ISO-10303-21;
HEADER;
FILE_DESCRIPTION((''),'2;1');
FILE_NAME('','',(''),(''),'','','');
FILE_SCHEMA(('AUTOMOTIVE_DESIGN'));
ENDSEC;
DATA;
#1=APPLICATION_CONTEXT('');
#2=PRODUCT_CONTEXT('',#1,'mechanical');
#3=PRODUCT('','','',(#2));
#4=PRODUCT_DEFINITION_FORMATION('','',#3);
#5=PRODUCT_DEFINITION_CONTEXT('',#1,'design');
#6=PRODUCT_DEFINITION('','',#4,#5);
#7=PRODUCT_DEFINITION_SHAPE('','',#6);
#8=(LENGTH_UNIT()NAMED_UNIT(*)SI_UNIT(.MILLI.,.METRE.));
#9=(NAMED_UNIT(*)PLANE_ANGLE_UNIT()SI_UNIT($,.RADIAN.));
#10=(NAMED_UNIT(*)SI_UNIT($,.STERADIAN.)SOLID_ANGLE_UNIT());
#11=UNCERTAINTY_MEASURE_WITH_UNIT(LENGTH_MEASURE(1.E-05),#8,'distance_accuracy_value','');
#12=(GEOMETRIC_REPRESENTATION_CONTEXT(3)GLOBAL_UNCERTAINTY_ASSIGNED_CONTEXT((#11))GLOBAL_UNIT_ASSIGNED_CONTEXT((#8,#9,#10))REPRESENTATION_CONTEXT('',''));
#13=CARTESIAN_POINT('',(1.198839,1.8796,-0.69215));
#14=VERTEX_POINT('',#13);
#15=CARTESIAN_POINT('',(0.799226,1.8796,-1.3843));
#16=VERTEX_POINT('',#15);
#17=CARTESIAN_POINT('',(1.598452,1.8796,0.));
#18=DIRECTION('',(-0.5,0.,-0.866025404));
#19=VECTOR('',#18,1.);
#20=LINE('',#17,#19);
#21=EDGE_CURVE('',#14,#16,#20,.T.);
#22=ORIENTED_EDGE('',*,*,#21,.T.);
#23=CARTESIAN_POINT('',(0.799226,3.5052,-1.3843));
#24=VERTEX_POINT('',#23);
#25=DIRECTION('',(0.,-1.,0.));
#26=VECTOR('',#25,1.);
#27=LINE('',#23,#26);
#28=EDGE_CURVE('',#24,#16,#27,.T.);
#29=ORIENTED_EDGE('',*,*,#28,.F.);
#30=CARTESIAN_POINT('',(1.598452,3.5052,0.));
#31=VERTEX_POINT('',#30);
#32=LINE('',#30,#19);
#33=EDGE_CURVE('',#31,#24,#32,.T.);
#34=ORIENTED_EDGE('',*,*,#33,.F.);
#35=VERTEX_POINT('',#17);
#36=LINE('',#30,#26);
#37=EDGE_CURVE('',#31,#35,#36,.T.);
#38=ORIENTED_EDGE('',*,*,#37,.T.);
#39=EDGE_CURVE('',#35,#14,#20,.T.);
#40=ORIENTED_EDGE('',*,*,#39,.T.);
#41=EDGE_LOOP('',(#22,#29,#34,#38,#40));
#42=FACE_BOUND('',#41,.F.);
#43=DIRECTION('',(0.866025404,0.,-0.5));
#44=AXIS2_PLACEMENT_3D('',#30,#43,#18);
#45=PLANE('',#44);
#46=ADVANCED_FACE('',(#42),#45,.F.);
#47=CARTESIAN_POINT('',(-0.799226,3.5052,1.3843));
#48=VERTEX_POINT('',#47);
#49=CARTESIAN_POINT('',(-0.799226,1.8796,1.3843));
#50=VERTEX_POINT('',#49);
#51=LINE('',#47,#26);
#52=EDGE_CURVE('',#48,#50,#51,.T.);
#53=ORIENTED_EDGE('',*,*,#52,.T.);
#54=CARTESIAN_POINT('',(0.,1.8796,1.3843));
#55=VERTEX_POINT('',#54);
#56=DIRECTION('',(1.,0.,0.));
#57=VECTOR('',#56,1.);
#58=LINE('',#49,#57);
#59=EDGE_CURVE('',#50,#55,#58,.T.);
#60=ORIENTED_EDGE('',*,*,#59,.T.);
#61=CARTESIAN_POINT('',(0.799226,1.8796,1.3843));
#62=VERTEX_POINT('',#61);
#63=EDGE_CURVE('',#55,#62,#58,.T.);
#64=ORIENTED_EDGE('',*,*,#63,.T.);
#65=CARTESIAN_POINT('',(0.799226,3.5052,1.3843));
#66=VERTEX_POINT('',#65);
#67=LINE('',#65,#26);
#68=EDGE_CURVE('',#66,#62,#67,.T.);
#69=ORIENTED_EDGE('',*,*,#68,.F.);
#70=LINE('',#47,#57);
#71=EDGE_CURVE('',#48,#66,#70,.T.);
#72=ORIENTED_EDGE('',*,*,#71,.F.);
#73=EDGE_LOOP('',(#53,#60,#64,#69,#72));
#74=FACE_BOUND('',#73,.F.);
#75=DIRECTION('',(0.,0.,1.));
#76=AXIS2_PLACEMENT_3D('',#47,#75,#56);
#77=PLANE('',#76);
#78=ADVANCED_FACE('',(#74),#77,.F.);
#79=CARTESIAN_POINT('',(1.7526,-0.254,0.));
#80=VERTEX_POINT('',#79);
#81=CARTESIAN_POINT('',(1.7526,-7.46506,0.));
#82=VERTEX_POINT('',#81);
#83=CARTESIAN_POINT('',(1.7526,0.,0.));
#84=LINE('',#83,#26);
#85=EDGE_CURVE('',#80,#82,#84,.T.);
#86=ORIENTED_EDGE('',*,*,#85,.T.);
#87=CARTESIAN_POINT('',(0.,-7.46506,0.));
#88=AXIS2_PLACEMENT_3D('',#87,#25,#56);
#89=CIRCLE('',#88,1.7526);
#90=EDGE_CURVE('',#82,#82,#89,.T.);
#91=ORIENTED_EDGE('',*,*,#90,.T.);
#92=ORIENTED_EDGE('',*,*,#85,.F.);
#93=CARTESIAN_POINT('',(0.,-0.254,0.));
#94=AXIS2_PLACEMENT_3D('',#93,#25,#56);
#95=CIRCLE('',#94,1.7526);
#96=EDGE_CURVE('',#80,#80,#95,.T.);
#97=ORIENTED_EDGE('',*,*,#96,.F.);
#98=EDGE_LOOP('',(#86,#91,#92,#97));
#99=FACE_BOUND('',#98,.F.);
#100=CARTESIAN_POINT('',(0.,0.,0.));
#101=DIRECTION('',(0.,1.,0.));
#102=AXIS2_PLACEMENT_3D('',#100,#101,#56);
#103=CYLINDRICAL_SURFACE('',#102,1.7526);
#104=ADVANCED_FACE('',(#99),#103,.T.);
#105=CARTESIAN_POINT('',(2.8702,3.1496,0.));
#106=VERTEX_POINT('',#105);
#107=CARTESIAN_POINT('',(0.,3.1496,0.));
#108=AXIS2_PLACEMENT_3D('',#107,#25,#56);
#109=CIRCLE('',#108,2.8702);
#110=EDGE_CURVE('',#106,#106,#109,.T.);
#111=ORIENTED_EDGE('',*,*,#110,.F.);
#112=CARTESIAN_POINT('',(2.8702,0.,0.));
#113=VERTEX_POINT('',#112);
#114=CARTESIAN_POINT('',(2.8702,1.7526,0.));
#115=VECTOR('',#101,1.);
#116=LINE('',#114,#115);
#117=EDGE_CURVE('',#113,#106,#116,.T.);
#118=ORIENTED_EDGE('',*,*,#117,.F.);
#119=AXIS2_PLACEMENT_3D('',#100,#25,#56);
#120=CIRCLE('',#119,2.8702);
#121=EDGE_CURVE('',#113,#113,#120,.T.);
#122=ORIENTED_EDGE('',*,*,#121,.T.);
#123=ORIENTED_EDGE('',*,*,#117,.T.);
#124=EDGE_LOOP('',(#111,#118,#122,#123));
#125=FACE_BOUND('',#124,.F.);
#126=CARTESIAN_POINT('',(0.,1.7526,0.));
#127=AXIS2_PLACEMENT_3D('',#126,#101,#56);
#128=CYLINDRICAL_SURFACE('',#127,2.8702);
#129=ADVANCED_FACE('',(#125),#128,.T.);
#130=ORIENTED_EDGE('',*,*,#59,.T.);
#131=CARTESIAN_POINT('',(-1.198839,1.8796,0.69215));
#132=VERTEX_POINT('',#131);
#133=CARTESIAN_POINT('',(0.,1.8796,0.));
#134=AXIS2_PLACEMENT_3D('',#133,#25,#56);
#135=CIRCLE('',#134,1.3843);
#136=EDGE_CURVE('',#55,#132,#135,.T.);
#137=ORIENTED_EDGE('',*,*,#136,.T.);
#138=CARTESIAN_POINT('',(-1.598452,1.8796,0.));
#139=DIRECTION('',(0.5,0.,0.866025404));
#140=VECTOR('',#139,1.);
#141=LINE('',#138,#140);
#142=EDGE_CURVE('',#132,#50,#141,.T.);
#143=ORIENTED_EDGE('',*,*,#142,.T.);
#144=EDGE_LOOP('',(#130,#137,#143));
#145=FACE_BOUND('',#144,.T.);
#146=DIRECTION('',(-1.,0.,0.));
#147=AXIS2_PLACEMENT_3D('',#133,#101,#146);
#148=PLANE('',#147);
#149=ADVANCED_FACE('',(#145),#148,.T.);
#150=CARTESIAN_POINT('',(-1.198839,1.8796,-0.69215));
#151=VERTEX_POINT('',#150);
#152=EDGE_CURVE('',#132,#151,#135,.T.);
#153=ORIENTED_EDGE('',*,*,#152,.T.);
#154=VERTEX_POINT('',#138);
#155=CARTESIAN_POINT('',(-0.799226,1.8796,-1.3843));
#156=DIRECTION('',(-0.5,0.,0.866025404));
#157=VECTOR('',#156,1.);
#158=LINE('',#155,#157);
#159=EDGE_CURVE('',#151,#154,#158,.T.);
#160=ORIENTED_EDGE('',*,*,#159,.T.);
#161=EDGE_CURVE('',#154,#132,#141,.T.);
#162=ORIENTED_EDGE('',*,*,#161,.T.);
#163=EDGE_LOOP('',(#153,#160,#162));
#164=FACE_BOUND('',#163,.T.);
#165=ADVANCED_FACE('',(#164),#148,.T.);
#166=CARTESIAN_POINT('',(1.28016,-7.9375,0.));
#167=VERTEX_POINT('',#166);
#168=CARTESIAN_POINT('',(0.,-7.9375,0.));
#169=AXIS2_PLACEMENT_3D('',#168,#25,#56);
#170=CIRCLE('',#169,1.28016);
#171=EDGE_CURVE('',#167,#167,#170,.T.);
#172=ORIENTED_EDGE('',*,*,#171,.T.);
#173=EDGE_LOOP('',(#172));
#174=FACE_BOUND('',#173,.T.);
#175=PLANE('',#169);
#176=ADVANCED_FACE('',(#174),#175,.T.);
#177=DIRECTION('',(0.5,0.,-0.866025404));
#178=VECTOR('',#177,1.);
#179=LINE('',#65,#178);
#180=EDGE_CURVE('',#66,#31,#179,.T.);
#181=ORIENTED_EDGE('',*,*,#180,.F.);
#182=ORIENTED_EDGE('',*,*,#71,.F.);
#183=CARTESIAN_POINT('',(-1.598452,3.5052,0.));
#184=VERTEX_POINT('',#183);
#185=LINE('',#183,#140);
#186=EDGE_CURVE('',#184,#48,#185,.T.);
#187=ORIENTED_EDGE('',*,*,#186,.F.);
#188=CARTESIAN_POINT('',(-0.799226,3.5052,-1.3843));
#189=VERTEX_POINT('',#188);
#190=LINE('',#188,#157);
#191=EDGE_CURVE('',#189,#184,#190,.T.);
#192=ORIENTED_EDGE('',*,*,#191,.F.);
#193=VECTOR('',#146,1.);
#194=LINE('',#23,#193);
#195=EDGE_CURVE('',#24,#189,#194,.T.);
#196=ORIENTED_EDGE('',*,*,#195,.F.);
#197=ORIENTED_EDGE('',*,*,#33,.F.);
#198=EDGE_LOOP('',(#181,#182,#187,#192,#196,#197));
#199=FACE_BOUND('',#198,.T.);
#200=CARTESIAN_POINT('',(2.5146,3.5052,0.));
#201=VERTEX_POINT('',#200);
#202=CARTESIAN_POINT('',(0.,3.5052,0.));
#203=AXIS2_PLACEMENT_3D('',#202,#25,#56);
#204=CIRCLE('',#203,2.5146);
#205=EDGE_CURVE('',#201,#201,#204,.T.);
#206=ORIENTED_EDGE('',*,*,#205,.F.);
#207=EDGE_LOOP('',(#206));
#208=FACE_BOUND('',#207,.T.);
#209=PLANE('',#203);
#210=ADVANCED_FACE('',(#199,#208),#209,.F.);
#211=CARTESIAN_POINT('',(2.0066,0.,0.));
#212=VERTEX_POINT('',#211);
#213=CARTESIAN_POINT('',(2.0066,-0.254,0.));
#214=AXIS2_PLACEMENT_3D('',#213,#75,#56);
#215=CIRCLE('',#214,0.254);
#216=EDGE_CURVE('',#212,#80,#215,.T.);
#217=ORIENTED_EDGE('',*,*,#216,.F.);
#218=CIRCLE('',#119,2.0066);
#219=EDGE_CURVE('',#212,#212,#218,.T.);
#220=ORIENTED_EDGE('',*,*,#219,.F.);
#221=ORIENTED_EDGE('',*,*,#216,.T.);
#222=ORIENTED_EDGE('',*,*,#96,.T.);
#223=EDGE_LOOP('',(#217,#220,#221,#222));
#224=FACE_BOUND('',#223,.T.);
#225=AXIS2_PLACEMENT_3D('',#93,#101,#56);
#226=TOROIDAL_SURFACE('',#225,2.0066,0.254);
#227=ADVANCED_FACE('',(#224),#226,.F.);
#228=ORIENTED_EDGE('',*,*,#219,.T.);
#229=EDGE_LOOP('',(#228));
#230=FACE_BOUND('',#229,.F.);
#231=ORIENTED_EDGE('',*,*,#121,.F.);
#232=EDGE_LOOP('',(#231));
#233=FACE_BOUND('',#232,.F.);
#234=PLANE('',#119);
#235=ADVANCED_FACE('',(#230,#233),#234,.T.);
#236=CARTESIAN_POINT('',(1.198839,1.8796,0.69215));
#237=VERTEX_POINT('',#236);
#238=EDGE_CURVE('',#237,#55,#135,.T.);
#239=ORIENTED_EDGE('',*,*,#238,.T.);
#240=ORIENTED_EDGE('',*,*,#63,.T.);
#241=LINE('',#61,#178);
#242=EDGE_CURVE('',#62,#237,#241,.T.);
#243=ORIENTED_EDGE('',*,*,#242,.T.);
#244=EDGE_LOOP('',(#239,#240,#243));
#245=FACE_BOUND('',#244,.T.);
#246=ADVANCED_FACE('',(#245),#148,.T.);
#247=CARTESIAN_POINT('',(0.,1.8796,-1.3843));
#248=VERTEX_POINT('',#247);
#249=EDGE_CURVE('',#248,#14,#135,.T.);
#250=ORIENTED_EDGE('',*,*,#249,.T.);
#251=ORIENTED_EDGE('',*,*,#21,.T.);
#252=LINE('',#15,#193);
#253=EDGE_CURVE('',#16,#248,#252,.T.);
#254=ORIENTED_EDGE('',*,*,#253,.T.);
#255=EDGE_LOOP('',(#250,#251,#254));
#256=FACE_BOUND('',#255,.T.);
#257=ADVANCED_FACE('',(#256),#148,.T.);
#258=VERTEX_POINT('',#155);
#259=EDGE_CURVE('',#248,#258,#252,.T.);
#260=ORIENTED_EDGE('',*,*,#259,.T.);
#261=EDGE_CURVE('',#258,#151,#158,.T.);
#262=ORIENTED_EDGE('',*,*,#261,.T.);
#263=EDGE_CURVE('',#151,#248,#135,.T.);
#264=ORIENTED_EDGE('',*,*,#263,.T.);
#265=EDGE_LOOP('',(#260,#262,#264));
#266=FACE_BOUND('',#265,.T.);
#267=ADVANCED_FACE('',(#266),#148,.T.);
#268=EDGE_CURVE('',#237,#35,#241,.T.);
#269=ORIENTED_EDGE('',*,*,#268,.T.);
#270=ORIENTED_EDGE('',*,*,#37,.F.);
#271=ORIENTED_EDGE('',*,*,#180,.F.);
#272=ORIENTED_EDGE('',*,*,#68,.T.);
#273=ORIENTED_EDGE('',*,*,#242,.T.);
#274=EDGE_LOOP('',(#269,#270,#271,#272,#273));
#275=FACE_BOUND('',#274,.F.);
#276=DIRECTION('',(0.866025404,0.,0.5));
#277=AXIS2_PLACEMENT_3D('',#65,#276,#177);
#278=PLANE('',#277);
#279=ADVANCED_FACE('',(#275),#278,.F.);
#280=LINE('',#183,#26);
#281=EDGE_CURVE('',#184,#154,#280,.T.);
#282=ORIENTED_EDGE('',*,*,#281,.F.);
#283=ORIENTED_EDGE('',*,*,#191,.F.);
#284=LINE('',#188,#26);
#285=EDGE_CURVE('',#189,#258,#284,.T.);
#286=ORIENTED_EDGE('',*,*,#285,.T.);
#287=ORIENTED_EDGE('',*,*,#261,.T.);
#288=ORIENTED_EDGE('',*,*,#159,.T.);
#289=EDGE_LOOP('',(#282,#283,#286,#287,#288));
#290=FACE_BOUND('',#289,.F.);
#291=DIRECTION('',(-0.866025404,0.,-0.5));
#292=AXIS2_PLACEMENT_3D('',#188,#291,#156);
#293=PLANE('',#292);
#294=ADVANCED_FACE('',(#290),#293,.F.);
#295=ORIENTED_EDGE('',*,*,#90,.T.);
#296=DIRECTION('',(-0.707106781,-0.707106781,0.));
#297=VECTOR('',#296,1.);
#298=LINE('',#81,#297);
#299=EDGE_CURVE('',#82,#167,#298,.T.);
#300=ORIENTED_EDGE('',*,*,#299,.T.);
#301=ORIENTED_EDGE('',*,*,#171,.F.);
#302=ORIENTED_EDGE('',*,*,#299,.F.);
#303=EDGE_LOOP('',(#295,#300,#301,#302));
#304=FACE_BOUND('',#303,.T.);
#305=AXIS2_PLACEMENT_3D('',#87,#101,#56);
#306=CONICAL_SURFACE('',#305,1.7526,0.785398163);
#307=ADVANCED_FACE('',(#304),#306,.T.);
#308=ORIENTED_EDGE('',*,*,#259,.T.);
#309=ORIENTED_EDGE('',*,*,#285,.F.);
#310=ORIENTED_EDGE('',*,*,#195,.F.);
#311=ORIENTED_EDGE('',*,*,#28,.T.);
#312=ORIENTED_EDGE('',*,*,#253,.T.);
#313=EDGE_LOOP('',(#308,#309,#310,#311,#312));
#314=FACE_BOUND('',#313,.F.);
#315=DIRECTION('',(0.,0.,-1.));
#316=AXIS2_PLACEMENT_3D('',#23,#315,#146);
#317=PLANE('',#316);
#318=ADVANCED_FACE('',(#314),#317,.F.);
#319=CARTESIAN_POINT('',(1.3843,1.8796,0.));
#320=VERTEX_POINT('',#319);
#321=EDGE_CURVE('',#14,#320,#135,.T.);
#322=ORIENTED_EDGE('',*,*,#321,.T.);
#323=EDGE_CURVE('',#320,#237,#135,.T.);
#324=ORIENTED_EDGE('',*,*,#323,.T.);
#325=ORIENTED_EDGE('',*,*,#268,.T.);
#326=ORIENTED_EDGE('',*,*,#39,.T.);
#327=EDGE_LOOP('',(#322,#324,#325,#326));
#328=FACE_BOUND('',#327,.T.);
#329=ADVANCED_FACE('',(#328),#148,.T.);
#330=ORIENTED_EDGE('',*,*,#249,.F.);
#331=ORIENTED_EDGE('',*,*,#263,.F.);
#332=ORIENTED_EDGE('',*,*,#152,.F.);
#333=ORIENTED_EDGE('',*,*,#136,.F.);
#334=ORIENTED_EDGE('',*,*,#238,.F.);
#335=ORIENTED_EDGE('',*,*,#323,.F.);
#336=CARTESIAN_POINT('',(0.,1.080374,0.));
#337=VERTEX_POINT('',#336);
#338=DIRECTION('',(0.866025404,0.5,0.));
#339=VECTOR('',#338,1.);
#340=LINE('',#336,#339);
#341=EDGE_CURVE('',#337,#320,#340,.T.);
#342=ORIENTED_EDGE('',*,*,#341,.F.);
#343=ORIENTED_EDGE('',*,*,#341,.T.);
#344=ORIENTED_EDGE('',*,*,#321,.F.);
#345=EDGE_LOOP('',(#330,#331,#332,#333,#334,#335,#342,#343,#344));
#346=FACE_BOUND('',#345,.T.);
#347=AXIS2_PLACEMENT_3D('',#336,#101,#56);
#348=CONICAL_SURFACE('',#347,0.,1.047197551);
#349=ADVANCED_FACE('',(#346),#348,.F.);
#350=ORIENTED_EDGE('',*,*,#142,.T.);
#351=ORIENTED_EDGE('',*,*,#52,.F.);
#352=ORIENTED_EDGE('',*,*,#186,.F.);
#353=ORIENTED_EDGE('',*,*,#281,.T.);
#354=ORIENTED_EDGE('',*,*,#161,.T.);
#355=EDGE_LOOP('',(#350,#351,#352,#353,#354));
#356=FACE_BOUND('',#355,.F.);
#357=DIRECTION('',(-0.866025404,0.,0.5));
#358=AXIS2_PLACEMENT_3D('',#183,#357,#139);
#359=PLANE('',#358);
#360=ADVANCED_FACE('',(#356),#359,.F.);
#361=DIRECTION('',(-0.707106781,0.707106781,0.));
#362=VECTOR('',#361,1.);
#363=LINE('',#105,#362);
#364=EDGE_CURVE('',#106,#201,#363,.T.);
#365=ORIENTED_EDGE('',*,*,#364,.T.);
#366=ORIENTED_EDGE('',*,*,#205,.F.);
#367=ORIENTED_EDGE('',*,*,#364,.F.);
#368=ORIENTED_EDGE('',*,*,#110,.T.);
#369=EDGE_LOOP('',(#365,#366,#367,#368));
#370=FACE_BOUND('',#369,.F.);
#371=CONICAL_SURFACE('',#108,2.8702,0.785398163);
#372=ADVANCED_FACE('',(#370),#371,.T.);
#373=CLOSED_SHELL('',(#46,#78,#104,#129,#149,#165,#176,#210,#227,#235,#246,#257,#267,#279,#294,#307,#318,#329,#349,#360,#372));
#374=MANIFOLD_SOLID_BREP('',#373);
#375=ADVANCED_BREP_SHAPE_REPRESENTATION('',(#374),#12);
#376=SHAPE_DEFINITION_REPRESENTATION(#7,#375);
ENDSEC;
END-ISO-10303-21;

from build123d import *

# Parameters (mm, degrees)
SKETCH1_W           = 2.8702
SKETCH1_H           = 3.5052
SKETCH2_R           = 1.7526
BOSS_EXTRUDE1_DEPTH = 7.9375
CUT_EXTRUDE1_DEPTH  = 1.6256
CHAMFER1_SIZE       = 0.47244
CHAMFER2_SIZE       = 0.3556
FILLET1_R           = 0.254


with BuildPart() as part:
    # Sketch1 → Revolve1 (revolve)
    with BuildSketch(Plane.XY):
        with Locations((1.4351, 1.7526)):
            Rectangle(SKETCH1_W, SKETCH1_H)
    revolve(axis=Axis((0, 3.5052, 0), (0, -1, 0)))

    # Sketch2 → Boss-Extrude1 (add)
    with BuildSketch(Plane.XZ):
        Circle(SKETCH2_R)
    extrude(amount=BOSS_EXTRUDE1_DEPTH)

    # Sketch3 → Cut-Extrude1 (cut)
    with BuildSketch(Plane(origin=(0, 3.5052, 0), x_dir=(-1, 0, 0), z_dir=(0, 1, 0))):
        Polygon((-0.799225978, 1.3843), (-1.598451955, 0), (-0.799225978, -1.3843), (0.799225978, -1.3843), (1.598451955, 0), (0.799225978, 1.3843), align=None)
    extrude(amount=-CUT_EXTRUDE1_DEPTH, mode=Mode.SUBTRACT)

    # Sketch4 → Cut-Revolve1 (revolve, cut)
    with BuildSketch(Plane.XY):
        Polygon((1.3843, 1.8796), (0, 1.8796), (0, 1.080374022), align=None)
    revolve(axis=Axis((0, 1.879625, 0), (0, -1, 0)), mode=Mode.SUBTRACT)

    # Chamfer1
    chamfer1_edges = [part.edges().sort_by_distance(p)[0] for p in [
        (-1.7526, -7.9375, 0),
    ]]
    chamfer(chamfer1_edges, length=CHAMFER1_SIZE)

    # Chamfer2
    chamfer2_edges = [part.edges().sort_by_distance(p)[0] for p in [
        (-2.8702, 3.5052, 0),
    ]]
    chamfer(chamfer2_edges, length=CHAMFER2_SIZE)

    # Fillet1
    fillet1_edges = [part.edges().sort_by_distance(p)[0] for p in [
        (-1.7526, 0, 0),
    ]]
    fillet(fillet1_edges, radius=FILLET1_R)


solid = part.part
